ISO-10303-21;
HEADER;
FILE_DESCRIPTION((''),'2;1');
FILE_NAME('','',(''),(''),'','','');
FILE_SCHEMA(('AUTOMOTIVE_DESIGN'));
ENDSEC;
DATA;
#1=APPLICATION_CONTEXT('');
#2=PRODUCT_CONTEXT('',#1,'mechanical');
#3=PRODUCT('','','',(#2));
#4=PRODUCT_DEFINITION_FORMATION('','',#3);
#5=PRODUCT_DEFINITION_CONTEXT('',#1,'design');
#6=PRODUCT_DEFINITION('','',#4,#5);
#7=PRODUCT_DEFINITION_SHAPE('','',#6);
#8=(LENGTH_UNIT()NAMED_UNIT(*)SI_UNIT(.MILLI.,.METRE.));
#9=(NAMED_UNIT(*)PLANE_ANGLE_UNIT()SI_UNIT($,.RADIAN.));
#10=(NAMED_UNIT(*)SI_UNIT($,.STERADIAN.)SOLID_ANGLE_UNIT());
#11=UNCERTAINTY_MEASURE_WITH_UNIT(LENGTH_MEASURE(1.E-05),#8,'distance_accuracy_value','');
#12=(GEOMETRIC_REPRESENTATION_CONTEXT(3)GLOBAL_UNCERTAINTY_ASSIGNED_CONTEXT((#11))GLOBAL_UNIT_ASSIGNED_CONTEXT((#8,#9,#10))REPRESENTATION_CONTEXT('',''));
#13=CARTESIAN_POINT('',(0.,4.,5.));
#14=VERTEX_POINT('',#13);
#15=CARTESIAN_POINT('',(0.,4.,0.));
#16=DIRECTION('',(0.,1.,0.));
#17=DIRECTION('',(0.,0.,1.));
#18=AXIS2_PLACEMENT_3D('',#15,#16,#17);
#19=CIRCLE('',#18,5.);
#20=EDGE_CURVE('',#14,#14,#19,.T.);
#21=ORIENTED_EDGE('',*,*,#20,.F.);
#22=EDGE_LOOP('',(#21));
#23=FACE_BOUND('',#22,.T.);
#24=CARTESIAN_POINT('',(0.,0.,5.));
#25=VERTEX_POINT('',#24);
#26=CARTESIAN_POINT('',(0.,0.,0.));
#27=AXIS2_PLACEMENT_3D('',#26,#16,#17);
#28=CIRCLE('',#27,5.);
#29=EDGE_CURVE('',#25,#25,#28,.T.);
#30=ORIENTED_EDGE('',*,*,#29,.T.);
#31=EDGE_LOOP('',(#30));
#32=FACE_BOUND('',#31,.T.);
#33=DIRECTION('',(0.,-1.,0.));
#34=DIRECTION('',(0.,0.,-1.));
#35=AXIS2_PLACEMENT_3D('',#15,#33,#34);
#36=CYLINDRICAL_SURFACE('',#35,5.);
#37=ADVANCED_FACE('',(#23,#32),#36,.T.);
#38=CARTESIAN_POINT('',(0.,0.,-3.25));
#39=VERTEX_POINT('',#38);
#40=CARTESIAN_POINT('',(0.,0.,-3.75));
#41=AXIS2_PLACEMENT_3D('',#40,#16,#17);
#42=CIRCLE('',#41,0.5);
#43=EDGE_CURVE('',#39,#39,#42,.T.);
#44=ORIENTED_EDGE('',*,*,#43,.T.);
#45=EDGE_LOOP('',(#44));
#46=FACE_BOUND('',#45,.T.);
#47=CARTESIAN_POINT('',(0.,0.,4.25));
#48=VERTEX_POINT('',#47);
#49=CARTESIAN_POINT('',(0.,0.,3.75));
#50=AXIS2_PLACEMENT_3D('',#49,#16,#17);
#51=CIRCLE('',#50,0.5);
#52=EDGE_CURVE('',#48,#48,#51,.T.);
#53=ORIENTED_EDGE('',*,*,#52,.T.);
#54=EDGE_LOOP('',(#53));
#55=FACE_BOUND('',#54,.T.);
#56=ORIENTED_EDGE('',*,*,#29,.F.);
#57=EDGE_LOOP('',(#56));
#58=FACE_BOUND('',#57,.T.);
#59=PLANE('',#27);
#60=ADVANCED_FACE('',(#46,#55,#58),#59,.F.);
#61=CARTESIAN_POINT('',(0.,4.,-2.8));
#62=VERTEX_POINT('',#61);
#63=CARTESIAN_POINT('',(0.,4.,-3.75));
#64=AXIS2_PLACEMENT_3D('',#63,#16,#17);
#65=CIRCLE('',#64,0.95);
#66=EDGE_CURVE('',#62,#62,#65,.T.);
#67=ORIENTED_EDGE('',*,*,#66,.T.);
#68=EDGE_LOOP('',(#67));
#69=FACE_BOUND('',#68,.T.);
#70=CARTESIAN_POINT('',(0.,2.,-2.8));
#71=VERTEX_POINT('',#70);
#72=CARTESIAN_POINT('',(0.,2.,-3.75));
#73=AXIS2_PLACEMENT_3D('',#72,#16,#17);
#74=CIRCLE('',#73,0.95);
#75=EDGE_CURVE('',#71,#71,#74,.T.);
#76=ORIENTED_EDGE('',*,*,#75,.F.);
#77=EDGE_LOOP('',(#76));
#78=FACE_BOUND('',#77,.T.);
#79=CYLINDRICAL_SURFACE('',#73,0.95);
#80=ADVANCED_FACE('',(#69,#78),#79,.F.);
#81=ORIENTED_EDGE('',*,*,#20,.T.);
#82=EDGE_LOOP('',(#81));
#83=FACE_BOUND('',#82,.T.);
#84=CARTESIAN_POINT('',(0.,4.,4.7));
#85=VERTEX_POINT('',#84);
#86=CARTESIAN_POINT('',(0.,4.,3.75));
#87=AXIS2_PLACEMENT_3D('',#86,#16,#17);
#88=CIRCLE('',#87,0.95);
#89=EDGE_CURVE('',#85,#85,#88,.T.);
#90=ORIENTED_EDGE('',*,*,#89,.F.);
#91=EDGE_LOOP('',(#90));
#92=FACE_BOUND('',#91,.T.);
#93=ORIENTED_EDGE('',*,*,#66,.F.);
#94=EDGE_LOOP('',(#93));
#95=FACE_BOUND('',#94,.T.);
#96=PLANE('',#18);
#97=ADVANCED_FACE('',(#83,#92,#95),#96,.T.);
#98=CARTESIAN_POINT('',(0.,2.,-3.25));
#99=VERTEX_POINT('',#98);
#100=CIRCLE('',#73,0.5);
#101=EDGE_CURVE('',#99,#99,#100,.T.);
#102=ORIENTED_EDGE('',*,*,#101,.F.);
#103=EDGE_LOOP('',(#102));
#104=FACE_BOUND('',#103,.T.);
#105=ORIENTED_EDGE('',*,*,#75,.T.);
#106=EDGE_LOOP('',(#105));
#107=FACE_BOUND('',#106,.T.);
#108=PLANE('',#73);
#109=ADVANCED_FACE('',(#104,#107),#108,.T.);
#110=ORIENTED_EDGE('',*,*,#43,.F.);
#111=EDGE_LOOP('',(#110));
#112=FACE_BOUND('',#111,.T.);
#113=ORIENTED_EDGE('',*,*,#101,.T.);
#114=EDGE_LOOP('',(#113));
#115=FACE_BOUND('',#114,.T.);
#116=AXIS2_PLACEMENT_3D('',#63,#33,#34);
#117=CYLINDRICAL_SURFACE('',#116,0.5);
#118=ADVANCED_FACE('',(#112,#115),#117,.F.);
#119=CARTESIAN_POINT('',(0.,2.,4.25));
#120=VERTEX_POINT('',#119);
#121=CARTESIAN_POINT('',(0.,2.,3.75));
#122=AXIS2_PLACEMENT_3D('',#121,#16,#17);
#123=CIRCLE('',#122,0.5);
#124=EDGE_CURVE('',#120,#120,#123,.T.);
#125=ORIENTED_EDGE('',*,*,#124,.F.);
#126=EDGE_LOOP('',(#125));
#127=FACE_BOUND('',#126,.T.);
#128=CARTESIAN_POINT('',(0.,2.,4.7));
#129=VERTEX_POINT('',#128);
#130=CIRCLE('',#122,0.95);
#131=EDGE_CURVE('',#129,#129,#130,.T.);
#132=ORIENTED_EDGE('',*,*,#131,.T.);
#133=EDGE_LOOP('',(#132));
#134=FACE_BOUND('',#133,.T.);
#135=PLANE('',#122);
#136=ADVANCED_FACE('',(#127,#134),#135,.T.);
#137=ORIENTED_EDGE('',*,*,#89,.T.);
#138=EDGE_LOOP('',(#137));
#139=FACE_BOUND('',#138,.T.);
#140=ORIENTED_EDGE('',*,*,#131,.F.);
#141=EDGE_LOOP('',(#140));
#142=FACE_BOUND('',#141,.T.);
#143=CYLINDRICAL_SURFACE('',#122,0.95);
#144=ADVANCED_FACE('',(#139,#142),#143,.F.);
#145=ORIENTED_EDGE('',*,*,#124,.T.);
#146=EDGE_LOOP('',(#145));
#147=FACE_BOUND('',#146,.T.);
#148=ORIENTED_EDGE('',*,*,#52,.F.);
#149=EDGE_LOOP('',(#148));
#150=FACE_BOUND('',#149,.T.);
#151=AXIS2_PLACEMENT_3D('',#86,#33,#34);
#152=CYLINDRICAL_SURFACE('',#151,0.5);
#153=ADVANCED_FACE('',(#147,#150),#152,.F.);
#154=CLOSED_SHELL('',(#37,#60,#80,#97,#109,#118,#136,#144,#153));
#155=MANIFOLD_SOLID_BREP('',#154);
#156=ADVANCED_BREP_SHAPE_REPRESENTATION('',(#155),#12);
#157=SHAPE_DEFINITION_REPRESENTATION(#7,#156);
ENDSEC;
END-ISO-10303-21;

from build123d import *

# Parameters (mm, degrees)
SKETCH1_R           = 5
SKETCH1_R_2         = 0.5
BOSS_EXTRUDE1_DEPTH = 4
SKETCH2_R           = 0.95
CUT_EXTRUDE1_DEPTH  = 2


with BuildPart() as part:
    # Sketch1 → Boss-Extrude1 (new body)
    with BuildSketch(Plane(origin=(0, 0, 0), x_dir=(1, 0, 0), z_dir=(0, 1, 0))):
        Circle(SKETCH1_R)
        with Locations((0, 3.75)):
            Circle(SKETCH1_R_2, mode=Mode.SUBTRACT)
        with Locations((0, -3.75)):
            Circle(SKETCH1_R_2, mode=Mode.SUBTRACT)
    extrude(amount=BOSS_EXTRUDE1_DEPTH)

    # Sketch2 → Cut-Extrude1 (cut)
    with BuildSketch(Plane(origin=(0, 4, 0), x_dir=(1, 0, 0), z_dir=(0, 1, 0))):
        with Locations((0, 3.75)):
            Circle(SKETCH2_R)
        with Locations((0, -3.75)):
            Circle(SKETCH2_R)
    extrude(amount=-CUT_EXTRUDE1_DEPTH, mode=Mode.SUBTRACT)


solid = part.part
